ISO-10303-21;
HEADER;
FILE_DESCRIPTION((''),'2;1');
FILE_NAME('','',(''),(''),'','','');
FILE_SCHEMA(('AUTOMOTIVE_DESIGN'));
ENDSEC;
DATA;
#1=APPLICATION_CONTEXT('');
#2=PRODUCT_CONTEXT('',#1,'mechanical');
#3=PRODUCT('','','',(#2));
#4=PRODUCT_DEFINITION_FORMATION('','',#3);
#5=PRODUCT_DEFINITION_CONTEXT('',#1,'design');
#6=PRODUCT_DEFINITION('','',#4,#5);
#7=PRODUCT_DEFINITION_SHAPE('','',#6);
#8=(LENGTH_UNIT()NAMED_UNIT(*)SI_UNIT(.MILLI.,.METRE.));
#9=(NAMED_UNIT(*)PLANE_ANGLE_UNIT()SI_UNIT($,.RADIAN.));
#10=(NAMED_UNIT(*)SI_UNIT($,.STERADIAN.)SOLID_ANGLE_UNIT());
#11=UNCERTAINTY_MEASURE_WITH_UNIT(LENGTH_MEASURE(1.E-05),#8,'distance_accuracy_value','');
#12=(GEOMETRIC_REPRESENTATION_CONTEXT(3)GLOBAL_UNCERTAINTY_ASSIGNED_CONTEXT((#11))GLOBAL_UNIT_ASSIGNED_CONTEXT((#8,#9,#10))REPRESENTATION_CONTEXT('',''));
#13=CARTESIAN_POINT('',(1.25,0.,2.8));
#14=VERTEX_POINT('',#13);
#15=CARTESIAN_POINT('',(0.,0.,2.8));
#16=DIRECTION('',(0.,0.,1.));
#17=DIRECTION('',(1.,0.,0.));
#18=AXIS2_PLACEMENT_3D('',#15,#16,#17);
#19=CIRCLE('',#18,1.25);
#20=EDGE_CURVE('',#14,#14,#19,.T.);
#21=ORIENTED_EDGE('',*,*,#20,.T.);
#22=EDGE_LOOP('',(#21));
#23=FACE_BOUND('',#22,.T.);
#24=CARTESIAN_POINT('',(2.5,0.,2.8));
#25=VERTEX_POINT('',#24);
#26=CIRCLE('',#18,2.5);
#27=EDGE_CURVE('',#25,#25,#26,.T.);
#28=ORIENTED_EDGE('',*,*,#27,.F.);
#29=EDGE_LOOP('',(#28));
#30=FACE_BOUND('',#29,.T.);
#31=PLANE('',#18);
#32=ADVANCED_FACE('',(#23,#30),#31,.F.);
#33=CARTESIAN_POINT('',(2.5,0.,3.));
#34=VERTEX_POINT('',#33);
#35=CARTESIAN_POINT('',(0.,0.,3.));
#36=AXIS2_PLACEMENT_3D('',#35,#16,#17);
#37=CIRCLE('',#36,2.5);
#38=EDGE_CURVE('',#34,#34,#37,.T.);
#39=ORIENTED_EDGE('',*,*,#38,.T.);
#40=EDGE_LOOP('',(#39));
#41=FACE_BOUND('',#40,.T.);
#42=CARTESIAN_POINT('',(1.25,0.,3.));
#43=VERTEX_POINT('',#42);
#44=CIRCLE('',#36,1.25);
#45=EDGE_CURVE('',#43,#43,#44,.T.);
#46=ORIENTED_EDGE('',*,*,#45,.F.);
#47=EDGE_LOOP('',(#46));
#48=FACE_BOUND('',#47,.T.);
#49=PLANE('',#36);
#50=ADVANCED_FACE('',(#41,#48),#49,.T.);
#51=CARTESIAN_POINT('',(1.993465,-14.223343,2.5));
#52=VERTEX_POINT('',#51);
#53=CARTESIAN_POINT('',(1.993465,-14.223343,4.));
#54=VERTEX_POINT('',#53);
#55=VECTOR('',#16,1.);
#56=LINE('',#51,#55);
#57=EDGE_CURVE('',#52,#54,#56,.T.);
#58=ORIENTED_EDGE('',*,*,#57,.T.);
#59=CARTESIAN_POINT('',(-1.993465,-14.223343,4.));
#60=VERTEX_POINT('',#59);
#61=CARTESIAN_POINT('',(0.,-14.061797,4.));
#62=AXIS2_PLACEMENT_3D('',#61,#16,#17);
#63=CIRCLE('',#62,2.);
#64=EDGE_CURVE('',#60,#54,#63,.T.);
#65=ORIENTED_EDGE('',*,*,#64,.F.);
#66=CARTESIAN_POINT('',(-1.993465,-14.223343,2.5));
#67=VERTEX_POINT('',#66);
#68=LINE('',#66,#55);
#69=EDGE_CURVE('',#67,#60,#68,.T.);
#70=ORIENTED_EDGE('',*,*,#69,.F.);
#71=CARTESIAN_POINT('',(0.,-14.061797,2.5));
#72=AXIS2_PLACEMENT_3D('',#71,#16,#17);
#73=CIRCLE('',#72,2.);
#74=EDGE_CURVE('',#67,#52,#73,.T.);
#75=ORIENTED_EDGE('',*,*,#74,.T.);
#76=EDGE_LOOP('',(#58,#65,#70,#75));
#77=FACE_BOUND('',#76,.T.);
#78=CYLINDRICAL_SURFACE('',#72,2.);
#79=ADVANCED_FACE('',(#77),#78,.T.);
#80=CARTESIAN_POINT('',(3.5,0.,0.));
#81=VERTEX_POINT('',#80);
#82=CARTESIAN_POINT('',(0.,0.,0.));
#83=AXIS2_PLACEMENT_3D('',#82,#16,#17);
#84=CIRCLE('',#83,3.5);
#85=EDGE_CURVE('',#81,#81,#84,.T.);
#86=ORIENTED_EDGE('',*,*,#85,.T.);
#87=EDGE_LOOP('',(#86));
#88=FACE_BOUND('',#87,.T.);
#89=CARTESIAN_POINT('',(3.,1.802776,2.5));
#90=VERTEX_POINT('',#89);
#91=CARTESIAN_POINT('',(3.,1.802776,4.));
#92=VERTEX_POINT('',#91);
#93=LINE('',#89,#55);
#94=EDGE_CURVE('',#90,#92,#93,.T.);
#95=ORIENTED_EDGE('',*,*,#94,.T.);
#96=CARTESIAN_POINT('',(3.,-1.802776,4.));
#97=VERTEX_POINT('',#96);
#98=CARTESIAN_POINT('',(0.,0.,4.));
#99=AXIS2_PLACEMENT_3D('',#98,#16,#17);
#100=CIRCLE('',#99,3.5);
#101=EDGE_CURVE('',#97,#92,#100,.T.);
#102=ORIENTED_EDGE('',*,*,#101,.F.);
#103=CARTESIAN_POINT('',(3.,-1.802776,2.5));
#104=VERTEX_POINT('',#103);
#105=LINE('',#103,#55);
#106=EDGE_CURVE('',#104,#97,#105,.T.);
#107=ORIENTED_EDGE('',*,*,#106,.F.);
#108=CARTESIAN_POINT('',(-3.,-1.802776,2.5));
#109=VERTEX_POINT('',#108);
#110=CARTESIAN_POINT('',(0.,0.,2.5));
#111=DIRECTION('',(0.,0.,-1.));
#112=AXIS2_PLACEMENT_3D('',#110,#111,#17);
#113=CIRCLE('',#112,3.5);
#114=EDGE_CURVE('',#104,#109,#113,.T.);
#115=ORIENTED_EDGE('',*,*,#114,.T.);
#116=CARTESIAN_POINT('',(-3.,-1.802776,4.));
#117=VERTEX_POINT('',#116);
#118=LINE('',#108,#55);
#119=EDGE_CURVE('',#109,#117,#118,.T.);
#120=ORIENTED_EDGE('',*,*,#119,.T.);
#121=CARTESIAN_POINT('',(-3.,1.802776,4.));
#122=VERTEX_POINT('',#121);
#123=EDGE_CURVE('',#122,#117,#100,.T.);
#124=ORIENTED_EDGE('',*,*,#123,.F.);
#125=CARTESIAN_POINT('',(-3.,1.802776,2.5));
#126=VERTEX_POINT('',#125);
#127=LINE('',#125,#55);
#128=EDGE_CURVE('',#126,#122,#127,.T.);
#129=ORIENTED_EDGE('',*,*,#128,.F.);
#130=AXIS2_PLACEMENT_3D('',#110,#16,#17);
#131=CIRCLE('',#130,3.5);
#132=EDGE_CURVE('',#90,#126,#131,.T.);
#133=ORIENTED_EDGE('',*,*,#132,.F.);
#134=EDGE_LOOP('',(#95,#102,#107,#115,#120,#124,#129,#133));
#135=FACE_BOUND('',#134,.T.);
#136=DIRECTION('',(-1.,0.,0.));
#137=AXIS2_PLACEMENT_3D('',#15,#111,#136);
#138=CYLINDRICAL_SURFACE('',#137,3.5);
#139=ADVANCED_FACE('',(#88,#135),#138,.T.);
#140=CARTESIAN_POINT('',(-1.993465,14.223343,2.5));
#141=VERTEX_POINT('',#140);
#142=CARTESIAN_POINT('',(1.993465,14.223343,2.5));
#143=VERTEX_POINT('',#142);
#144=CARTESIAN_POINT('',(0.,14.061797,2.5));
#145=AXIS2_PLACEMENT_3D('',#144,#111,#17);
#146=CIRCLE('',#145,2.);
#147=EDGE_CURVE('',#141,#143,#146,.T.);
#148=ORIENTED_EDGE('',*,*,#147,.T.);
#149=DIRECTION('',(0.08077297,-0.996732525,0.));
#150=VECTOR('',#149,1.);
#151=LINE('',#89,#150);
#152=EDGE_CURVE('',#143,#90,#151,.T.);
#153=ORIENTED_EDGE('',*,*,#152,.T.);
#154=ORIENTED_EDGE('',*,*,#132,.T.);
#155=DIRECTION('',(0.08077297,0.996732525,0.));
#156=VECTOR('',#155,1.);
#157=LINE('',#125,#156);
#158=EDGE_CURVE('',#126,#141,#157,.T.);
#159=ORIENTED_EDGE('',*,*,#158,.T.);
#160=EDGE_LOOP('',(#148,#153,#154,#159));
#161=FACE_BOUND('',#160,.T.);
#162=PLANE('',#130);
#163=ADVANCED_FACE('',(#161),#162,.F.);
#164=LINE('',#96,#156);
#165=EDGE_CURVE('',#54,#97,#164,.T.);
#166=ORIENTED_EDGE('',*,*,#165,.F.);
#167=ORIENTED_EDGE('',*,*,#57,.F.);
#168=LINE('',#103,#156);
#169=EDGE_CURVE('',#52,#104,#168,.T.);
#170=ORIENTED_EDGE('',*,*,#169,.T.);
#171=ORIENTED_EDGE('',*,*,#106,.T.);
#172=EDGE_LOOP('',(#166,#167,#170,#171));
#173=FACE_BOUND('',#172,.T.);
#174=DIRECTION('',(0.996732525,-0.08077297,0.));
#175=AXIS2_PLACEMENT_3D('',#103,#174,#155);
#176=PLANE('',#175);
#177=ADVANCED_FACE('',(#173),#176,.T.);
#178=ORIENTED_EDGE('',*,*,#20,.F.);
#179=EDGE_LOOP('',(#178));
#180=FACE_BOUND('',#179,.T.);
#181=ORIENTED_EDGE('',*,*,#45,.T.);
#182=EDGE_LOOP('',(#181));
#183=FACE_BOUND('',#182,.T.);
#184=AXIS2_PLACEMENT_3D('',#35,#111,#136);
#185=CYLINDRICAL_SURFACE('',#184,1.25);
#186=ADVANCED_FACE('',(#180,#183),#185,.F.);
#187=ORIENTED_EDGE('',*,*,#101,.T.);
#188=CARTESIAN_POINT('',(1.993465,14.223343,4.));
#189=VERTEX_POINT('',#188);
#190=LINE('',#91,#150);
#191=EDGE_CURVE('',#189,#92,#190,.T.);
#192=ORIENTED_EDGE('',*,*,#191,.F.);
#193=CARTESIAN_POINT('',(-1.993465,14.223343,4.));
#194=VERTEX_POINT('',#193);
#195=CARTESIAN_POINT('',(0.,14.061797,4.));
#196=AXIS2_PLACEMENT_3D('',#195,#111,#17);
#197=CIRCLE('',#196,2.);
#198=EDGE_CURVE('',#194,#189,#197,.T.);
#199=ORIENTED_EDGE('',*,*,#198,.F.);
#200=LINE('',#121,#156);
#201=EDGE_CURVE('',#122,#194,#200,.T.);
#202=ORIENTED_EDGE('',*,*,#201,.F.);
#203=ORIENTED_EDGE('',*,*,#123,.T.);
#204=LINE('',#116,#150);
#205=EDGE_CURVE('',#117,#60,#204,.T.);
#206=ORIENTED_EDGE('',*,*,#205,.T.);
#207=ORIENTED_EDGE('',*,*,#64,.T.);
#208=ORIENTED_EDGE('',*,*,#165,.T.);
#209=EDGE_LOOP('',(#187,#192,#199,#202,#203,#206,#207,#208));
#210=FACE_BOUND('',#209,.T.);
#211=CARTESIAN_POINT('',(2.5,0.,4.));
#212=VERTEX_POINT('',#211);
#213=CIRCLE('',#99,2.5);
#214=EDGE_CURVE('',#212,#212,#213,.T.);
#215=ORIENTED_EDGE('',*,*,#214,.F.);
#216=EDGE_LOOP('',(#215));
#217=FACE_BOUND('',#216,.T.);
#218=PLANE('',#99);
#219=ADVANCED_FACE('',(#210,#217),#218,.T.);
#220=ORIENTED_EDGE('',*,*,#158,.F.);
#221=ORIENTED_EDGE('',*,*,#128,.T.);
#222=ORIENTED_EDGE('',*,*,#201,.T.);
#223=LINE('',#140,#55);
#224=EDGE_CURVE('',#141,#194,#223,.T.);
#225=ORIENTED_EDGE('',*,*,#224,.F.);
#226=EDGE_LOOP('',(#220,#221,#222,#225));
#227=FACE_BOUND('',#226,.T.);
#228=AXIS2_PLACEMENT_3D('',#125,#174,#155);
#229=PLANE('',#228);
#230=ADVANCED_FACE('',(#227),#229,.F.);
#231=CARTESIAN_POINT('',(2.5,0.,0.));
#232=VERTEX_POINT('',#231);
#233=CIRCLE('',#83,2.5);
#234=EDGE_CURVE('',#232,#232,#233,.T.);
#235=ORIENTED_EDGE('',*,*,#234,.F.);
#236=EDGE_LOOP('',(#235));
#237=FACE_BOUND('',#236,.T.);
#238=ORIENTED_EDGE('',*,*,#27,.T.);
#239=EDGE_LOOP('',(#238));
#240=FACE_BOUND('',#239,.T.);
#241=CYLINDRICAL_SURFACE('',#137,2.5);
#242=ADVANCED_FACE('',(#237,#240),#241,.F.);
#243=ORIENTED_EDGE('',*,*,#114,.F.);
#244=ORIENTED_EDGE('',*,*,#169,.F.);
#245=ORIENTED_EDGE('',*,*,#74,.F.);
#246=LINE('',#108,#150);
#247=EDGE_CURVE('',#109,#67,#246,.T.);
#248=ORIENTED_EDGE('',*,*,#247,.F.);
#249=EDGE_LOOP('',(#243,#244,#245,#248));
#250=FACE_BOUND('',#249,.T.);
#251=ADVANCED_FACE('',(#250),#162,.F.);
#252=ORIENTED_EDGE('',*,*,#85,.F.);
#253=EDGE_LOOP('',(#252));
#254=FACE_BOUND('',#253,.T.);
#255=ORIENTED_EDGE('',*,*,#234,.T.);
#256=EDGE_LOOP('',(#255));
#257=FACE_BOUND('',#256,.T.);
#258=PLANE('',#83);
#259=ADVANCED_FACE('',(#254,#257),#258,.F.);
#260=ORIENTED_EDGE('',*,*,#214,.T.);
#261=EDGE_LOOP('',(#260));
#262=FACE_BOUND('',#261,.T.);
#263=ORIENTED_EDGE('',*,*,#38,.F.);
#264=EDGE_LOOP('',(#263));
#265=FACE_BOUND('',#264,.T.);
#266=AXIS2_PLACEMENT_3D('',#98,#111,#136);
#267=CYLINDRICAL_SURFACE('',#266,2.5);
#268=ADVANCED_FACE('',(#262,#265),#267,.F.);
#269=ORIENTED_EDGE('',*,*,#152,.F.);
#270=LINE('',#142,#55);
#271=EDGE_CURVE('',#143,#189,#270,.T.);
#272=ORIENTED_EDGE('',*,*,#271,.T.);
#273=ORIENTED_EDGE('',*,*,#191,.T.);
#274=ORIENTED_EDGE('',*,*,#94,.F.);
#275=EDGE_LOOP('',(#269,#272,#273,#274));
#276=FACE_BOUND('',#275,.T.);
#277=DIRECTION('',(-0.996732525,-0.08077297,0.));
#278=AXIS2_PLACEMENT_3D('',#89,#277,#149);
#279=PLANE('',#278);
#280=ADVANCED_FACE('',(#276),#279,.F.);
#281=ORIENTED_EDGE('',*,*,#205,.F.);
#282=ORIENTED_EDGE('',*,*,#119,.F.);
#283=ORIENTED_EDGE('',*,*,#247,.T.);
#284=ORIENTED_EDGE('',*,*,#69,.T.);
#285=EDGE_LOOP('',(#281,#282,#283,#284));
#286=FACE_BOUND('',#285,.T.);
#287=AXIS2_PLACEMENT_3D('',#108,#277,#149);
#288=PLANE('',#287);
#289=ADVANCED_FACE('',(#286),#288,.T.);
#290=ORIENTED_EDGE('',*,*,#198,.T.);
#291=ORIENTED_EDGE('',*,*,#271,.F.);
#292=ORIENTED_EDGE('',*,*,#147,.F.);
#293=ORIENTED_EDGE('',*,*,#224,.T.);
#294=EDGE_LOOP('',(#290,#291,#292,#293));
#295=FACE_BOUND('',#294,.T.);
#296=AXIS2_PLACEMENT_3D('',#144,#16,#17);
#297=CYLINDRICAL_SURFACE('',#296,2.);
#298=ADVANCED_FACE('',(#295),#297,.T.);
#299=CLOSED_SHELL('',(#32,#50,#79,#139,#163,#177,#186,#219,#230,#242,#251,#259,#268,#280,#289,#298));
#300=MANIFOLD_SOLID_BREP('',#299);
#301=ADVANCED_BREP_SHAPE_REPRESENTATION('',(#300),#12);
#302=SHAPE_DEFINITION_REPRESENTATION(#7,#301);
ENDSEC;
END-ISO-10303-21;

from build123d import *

# Parameters (mm, degrees)
SKETCH1_R           = 3.5
SKETCH1_R_2         = 2.5
BOSS_EXTRUDE1_DEPTH = 2.8
SKETCH2_R           = 3.5
SKETCH2_R_2         = 1.25
BOSS_EXTRUDE2_DEPTH = 0.2
SKETCH3_R           = 3.5
SKETCH3_R_2         = 2.5
BOSS_EXTRUDE3_DEPTH = 1
BOSS_EXTRUDE4_START = -1.5
BOSS_EXTRUDE4_DEPTH = 1.5


with BuildPart() as part:
    # Sketch1 → Boss-Extrude1 (new body)
    with BuildSketch(Plane.XY):
        Circle(SKETCH1_R)
        Circle(SKETCH1_R_2, mode=Mode.SUBTRACT)
    extrude(amount=BOSS_EXTRUDE1_DEPTH)

    # Sketch2 → Boss-Extrude2 (add)
    with BuildSketch(Plane.XY.offset(2.8)):
        Circle(SKETCH2_R)
        Circle(SKETCH2_R_2, mode=Mode.SUBTRACT)
    extrude(amount=BOSS_EXTRUDE2_DEPTH)

    # Sketch3 → Boss-Extrude3 (add)
    with BuildSketch(Plane.XY.offset(3)):
        Circle(SKETCH3_R)
        Circle(SKETCH3_R_2, mode=Mode.SUBTRACT)
    extrude(amount=BOSS_EXTRUDE3_DEPTH)

    # Sketch4 → Boss-Extrude4 (add)
    with BuildSketch(Plane.XY.offset(4).offset(BOSS_EXTRUDE4_START)):
        with BuildLine():
            Line((-3, -1.802775638), (-1.993465051, -14.223343039))
            ThreePointArc((-1.993465051, -14.223343039), (0, -16.061797098), (1.993465051, -14.223343039))
            Line((1.993465051, -14.223343039), (3, -1.802775638))
            ThreePointArc((3, -1.802775638), (0, -3.5), (-3, -1.802775638))
        make_face()
    boss_extrude4 = extrude(amount=BOSS_EXTRUDE4_DEPTH)

    # Mirror1: Boss-Extrude4 across plane
    add(boss_extrude4.mirror(Plane.ZX))


solid = part.part
